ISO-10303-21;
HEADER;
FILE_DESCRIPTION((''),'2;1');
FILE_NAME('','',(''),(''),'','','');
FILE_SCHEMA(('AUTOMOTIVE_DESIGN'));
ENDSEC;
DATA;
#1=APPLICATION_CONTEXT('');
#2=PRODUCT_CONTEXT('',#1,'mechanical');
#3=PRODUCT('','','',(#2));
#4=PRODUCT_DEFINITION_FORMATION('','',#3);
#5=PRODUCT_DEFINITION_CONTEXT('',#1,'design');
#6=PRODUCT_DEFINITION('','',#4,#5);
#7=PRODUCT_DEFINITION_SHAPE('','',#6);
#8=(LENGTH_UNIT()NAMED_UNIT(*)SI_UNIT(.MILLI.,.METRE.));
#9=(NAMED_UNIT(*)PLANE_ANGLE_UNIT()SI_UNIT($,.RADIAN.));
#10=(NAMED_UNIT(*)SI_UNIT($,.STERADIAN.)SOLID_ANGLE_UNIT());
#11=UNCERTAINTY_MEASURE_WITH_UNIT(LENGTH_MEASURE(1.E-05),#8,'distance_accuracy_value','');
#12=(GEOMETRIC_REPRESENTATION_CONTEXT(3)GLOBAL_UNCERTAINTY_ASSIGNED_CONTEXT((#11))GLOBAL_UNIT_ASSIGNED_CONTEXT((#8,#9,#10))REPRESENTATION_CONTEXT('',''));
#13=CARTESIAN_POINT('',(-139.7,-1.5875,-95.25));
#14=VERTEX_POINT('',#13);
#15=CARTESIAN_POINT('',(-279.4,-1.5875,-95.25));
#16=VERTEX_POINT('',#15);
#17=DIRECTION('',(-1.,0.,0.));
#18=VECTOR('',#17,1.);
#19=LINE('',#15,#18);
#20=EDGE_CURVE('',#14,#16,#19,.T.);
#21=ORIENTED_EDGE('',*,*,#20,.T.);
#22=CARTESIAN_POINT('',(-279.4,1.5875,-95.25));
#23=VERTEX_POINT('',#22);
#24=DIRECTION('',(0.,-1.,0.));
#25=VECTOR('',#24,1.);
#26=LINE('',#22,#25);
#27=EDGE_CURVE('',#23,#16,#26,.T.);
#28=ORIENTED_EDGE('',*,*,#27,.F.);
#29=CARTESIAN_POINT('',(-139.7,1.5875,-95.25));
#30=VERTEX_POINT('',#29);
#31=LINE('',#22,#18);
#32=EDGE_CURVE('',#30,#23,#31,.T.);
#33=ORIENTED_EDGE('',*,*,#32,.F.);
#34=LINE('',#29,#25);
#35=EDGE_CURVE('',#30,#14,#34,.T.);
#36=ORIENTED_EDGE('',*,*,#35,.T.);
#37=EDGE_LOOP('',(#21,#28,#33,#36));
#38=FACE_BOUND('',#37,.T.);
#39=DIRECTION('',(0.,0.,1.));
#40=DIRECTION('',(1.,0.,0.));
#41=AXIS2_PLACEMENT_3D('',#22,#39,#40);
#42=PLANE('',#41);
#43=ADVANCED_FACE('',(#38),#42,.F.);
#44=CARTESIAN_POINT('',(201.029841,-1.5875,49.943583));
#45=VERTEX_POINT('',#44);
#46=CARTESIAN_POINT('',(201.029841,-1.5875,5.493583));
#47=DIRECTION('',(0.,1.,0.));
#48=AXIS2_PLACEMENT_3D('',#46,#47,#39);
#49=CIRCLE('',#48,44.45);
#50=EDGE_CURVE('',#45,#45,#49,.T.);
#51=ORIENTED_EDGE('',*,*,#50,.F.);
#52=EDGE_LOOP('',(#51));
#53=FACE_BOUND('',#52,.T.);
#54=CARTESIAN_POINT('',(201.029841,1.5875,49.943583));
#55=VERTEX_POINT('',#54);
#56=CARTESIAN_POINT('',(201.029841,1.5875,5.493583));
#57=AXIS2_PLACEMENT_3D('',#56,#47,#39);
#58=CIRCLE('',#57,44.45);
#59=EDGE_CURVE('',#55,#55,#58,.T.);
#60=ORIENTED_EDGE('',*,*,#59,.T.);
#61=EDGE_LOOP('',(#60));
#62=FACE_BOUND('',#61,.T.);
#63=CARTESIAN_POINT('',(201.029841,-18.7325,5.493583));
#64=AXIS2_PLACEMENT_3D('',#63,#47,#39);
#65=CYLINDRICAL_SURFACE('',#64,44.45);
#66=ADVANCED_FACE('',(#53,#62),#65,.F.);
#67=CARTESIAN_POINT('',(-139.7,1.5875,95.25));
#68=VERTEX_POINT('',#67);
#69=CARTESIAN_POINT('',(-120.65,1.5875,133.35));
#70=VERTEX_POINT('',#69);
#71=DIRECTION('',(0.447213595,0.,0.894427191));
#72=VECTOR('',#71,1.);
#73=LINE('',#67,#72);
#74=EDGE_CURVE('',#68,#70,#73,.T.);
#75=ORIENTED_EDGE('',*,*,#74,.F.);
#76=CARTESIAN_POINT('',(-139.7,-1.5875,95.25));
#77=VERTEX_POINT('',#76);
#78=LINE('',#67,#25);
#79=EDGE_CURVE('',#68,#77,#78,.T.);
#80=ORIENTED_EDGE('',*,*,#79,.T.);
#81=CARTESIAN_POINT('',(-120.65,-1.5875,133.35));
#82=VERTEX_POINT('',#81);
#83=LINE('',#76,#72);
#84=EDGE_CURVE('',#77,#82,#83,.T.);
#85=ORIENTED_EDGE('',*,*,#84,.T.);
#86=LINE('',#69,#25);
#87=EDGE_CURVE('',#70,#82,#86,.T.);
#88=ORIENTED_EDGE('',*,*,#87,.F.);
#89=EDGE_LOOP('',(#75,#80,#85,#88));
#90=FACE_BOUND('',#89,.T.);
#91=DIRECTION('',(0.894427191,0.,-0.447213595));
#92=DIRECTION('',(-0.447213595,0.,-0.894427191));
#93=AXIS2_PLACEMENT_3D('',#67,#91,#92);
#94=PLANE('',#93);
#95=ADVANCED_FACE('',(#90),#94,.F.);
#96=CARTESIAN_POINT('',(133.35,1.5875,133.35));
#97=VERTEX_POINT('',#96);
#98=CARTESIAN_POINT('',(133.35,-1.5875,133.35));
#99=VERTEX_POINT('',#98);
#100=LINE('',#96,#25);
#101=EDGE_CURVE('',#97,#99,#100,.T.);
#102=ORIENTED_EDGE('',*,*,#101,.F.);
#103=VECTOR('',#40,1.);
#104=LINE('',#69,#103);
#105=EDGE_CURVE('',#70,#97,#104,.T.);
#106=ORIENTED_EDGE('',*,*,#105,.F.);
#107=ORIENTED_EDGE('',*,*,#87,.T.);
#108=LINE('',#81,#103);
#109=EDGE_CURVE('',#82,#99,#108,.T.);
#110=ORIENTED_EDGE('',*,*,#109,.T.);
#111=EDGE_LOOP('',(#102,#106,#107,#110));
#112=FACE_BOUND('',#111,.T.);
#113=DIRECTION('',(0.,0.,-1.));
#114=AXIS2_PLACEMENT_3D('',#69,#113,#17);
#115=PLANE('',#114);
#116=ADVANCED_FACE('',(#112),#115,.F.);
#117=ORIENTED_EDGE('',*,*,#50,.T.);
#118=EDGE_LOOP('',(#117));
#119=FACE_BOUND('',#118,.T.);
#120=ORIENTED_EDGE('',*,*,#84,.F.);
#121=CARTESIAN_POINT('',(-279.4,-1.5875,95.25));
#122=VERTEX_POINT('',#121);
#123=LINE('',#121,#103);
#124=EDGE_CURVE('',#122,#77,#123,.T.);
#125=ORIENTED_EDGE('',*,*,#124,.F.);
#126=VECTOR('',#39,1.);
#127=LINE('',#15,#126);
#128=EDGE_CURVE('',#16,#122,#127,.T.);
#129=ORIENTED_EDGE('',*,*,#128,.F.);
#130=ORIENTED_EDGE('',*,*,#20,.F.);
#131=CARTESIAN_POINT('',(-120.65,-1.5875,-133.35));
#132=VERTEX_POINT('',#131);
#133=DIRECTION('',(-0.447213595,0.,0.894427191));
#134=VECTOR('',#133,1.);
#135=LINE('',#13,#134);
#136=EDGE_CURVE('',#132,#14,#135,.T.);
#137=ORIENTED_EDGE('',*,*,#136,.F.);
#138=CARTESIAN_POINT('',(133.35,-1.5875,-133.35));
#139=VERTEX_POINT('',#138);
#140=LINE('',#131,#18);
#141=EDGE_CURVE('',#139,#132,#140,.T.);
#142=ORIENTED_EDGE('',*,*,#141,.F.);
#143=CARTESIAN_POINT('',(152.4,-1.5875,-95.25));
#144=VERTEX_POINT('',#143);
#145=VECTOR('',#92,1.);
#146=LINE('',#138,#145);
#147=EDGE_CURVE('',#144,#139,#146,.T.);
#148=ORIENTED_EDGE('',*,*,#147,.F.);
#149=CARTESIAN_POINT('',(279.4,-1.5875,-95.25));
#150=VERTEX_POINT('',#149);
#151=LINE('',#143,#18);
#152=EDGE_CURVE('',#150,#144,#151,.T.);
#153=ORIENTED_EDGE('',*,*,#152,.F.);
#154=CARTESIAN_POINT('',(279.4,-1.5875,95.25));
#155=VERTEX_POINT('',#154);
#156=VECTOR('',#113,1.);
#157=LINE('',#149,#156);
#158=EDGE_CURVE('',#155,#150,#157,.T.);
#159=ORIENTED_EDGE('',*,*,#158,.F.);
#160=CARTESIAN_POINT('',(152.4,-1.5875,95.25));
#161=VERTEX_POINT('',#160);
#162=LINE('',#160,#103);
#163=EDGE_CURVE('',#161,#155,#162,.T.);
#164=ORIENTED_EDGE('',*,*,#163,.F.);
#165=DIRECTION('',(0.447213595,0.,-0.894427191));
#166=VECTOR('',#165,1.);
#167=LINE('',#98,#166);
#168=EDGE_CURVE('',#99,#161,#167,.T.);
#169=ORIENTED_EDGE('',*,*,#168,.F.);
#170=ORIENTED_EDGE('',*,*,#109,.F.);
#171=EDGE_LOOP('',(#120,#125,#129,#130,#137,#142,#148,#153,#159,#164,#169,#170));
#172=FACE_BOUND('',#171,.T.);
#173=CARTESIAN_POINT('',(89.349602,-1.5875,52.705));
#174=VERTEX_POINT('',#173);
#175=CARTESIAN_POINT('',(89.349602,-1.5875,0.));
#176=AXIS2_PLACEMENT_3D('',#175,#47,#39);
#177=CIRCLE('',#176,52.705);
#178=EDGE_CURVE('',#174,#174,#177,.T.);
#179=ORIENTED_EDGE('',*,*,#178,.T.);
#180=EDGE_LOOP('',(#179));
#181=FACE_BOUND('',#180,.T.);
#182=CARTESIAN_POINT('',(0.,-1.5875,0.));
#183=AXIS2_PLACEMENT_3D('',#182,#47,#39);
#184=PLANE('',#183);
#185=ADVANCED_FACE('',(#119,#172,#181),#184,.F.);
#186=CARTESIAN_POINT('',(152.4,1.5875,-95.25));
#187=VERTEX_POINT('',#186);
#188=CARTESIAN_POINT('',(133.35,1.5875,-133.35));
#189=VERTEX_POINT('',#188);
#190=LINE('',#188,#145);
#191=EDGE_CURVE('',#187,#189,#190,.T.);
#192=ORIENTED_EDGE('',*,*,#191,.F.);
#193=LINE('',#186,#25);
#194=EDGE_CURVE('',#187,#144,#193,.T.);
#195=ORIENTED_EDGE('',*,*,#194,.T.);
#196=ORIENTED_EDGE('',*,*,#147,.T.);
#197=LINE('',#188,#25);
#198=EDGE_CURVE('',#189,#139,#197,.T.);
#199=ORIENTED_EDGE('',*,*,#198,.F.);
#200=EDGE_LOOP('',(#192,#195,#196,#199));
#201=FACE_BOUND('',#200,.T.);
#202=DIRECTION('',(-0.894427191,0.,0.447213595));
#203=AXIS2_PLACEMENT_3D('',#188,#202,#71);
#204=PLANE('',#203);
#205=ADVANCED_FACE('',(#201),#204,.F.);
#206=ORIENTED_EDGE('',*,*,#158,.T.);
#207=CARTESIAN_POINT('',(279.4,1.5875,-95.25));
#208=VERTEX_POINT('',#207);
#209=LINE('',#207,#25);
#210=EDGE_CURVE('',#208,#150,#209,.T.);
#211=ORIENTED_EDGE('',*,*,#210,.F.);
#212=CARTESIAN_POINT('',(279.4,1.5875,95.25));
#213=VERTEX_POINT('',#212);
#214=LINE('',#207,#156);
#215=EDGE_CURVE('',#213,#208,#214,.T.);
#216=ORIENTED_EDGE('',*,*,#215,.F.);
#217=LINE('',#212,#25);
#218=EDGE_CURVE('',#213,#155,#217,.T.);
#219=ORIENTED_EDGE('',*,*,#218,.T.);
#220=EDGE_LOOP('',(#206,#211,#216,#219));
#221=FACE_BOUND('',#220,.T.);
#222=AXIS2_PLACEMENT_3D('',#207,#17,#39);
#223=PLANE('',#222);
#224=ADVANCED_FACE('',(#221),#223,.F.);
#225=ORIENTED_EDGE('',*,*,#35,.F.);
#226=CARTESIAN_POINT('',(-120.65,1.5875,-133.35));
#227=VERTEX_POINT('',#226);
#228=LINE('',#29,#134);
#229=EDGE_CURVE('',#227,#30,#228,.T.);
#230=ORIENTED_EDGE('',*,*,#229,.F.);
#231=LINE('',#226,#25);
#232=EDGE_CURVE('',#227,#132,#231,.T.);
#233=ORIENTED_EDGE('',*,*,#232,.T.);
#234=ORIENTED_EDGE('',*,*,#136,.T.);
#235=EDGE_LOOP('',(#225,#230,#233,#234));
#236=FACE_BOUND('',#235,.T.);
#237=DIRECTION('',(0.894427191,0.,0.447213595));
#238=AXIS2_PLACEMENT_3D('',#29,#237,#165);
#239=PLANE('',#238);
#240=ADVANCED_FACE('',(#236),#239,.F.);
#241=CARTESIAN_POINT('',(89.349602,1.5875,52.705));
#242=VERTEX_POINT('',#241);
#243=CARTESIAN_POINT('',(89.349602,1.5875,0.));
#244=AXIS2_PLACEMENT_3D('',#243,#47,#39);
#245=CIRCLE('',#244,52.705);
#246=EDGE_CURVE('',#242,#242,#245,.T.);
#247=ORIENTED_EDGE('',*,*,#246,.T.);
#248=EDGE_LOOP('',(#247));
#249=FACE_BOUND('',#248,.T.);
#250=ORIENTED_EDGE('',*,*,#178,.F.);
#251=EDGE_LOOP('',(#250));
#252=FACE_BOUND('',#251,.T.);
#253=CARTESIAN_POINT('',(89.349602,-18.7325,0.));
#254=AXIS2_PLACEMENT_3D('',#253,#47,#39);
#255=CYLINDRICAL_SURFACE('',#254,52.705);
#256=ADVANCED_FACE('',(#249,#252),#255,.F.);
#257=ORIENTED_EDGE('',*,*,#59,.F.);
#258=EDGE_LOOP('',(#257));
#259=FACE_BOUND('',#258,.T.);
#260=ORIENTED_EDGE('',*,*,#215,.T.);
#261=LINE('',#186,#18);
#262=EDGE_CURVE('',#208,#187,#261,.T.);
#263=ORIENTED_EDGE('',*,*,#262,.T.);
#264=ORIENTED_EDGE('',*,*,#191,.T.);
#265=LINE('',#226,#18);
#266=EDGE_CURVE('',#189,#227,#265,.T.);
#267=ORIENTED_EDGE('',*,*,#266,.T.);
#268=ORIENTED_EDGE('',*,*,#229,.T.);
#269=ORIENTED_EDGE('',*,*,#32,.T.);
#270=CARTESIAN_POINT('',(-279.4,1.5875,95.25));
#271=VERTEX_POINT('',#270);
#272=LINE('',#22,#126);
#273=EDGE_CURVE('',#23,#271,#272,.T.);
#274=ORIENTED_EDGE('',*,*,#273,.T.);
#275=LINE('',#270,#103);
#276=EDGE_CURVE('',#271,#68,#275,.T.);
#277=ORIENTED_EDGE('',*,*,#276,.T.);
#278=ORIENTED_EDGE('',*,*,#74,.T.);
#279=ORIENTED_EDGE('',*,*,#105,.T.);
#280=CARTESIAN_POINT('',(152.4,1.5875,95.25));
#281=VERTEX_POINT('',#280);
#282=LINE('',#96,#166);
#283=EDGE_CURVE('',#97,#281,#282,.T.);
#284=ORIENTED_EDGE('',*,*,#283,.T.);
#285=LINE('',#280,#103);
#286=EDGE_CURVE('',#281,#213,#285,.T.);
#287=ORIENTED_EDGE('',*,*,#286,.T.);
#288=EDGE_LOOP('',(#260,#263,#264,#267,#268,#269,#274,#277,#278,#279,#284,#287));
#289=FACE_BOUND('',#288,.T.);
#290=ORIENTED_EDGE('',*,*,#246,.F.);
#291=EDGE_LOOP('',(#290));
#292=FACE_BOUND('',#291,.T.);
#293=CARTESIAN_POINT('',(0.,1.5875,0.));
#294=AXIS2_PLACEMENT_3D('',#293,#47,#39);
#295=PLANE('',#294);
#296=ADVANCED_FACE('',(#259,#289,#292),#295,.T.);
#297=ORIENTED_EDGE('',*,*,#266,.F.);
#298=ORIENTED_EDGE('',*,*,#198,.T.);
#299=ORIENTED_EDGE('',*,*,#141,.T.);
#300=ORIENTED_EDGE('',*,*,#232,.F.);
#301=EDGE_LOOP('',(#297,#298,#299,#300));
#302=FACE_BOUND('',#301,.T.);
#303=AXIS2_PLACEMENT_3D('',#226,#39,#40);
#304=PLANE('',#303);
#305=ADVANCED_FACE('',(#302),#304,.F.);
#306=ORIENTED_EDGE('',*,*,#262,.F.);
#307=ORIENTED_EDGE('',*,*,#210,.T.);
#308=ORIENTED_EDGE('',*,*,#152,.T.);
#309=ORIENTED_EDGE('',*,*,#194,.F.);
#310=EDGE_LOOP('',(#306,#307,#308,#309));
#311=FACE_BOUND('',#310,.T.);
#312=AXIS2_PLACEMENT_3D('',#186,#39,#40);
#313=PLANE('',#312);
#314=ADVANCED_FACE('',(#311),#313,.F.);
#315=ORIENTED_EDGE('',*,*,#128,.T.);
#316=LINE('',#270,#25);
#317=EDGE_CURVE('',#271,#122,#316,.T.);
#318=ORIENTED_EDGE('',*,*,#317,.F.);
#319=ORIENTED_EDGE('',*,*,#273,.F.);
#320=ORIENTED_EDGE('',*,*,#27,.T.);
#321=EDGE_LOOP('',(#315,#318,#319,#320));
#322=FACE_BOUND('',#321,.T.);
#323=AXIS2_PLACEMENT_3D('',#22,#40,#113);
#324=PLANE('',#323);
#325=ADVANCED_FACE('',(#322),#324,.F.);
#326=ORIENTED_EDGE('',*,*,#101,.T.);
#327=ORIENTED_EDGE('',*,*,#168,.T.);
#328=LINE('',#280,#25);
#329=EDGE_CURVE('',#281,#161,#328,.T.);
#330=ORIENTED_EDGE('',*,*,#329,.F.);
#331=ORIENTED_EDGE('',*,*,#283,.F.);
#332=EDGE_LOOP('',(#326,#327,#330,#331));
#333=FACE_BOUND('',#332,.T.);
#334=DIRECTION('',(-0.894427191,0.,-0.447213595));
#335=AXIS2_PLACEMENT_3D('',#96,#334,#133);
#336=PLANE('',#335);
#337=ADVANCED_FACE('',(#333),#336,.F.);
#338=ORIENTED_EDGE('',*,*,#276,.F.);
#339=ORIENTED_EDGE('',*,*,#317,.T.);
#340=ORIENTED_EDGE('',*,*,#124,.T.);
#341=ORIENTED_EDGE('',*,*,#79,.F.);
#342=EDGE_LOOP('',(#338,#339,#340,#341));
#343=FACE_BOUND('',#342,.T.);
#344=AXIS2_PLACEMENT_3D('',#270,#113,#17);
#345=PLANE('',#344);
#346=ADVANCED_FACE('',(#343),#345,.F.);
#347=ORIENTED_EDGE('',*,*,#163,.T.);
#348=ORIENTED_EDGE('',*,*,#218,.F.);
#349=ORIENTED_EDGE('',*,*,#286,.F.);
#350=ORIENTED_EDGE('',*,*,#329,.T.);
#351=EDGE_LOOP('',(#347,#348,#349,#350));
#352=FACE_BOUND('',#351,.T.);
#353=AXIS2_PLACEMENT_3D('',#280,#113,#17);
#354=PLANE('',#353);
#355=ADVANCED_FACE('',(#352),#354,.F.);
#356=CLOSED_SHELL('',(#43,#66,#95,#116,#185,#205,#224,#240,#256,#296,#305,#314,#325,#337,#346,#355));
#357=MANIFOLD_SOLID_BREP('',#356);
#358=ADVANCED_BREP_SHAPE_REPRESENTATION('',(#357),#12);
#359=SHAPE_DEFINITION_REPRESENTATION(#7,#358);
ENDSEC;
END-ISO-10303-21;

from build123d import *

# Parameters (mm, degrees)
BOSS_EXTRUDE1_DEPTH = 1.5875
SKETCH7_R           = 52.705
SKETCH7_R_2         = 44.45
CUT_EXTRUDE1_DEPTH  = 20.32


with BuildPart() as part:
    # Sketch3 → Boss-Extrude1 (new body, symmetric)
    with BuildSketch(Plane(origin=(0, 0, 0), x_dir=(1, 0, 0), z_dir=(0, 1, 0))):
        Polygon((-279.4, 95.25), (-139.7, 95.25), (-120.65, 133.35), (133.35, 133.35), (152.4, 95.25), (279.4, 95.25), (279.4, -95.25), (152.4, -95.25), (133.35, -133.35), (-120.65, -133.35), (-139.7, -95.25), (-279.4, -95.25), align=None)
    extrude(amount=BOSS_EXTRUDE1_DEPTH, both=True)

    # Sketch7 → Cut-Extrude1 (cut)
    with BuildSketch(Plane(origin=(0, 1.5875, 0), x_dir=(1, 0, 0), z_dir=(0, 1, 0))):
        with Locations((89.349601684, 0)):
            Circle(SKETCH7_R)
        with Locations((201.029841253, -5.49358251)):
            Circle(SKETCH7_R_2)
    extrude(amount=-CUT_EXTRUDE1_DEPTH, mode=Mode.SUBTRACT)


solid = part.part
